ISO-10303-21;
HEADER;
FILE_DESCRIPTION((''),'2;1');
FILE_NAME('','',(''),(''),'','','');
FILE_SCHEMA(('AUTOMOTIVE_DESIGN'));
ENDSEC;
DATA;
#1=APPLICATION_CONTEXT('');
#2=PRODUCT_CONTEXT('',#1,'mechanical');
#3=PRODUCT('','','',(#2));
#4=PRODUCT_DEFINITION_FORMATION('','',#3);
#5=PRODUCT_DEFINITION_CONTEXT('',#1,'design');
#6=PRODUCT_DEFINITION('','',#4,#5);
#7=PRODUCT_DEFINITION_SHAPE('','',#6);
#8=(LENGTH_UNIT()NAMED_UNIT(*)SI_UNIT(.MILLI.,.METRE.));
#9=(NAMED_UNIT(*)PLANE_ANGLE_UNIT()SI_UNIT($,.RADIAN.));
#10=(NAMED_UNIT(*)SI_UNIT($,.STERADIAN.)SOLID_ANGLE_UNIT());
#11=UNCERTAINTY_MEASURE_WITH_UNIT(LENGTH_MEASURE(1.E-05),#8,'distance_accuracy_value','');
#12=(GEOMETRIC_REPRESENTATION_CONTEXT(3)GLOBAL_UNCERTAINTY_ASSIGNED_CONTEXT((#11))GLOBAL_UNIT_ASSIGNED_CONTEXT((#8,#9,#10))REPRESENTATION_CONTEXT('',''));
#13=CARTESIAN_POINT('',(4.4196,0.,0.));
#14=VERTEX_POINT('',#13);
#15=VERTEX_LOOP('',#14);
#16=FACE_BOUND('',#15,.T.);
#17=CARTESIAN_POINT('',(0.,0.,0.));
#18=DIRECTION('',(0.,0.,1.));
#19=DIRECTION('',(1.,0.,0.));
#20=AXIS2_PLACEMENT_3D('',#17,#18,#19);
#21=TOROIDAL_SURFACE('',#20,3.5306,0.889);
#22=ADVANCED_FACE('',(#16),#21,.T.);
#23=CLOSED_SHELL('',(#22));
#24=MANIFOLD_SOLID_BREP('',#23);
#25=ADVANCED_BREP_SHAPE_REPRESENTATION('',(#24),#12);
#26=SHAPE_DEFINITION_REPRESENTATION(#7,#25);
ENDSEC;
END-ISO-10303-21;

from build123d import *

# Parameters (mm, degrees)
SKETCH2_R = 0.889


with BuildPart() as part:
    # Sketch2 → Revolve1 (revolve)
    with BuildSketch(Plane(origin=(0, 0, 0), x_dir=(0, 0, -1), z_dir=(1, 0, 0))):
        with Locations((0, -3.5306)):
            Circle(SKETCH2_R)
    revolve(axis=Axis((0, 0, 0.889), (0, 0, -1)))


solid = part.part
